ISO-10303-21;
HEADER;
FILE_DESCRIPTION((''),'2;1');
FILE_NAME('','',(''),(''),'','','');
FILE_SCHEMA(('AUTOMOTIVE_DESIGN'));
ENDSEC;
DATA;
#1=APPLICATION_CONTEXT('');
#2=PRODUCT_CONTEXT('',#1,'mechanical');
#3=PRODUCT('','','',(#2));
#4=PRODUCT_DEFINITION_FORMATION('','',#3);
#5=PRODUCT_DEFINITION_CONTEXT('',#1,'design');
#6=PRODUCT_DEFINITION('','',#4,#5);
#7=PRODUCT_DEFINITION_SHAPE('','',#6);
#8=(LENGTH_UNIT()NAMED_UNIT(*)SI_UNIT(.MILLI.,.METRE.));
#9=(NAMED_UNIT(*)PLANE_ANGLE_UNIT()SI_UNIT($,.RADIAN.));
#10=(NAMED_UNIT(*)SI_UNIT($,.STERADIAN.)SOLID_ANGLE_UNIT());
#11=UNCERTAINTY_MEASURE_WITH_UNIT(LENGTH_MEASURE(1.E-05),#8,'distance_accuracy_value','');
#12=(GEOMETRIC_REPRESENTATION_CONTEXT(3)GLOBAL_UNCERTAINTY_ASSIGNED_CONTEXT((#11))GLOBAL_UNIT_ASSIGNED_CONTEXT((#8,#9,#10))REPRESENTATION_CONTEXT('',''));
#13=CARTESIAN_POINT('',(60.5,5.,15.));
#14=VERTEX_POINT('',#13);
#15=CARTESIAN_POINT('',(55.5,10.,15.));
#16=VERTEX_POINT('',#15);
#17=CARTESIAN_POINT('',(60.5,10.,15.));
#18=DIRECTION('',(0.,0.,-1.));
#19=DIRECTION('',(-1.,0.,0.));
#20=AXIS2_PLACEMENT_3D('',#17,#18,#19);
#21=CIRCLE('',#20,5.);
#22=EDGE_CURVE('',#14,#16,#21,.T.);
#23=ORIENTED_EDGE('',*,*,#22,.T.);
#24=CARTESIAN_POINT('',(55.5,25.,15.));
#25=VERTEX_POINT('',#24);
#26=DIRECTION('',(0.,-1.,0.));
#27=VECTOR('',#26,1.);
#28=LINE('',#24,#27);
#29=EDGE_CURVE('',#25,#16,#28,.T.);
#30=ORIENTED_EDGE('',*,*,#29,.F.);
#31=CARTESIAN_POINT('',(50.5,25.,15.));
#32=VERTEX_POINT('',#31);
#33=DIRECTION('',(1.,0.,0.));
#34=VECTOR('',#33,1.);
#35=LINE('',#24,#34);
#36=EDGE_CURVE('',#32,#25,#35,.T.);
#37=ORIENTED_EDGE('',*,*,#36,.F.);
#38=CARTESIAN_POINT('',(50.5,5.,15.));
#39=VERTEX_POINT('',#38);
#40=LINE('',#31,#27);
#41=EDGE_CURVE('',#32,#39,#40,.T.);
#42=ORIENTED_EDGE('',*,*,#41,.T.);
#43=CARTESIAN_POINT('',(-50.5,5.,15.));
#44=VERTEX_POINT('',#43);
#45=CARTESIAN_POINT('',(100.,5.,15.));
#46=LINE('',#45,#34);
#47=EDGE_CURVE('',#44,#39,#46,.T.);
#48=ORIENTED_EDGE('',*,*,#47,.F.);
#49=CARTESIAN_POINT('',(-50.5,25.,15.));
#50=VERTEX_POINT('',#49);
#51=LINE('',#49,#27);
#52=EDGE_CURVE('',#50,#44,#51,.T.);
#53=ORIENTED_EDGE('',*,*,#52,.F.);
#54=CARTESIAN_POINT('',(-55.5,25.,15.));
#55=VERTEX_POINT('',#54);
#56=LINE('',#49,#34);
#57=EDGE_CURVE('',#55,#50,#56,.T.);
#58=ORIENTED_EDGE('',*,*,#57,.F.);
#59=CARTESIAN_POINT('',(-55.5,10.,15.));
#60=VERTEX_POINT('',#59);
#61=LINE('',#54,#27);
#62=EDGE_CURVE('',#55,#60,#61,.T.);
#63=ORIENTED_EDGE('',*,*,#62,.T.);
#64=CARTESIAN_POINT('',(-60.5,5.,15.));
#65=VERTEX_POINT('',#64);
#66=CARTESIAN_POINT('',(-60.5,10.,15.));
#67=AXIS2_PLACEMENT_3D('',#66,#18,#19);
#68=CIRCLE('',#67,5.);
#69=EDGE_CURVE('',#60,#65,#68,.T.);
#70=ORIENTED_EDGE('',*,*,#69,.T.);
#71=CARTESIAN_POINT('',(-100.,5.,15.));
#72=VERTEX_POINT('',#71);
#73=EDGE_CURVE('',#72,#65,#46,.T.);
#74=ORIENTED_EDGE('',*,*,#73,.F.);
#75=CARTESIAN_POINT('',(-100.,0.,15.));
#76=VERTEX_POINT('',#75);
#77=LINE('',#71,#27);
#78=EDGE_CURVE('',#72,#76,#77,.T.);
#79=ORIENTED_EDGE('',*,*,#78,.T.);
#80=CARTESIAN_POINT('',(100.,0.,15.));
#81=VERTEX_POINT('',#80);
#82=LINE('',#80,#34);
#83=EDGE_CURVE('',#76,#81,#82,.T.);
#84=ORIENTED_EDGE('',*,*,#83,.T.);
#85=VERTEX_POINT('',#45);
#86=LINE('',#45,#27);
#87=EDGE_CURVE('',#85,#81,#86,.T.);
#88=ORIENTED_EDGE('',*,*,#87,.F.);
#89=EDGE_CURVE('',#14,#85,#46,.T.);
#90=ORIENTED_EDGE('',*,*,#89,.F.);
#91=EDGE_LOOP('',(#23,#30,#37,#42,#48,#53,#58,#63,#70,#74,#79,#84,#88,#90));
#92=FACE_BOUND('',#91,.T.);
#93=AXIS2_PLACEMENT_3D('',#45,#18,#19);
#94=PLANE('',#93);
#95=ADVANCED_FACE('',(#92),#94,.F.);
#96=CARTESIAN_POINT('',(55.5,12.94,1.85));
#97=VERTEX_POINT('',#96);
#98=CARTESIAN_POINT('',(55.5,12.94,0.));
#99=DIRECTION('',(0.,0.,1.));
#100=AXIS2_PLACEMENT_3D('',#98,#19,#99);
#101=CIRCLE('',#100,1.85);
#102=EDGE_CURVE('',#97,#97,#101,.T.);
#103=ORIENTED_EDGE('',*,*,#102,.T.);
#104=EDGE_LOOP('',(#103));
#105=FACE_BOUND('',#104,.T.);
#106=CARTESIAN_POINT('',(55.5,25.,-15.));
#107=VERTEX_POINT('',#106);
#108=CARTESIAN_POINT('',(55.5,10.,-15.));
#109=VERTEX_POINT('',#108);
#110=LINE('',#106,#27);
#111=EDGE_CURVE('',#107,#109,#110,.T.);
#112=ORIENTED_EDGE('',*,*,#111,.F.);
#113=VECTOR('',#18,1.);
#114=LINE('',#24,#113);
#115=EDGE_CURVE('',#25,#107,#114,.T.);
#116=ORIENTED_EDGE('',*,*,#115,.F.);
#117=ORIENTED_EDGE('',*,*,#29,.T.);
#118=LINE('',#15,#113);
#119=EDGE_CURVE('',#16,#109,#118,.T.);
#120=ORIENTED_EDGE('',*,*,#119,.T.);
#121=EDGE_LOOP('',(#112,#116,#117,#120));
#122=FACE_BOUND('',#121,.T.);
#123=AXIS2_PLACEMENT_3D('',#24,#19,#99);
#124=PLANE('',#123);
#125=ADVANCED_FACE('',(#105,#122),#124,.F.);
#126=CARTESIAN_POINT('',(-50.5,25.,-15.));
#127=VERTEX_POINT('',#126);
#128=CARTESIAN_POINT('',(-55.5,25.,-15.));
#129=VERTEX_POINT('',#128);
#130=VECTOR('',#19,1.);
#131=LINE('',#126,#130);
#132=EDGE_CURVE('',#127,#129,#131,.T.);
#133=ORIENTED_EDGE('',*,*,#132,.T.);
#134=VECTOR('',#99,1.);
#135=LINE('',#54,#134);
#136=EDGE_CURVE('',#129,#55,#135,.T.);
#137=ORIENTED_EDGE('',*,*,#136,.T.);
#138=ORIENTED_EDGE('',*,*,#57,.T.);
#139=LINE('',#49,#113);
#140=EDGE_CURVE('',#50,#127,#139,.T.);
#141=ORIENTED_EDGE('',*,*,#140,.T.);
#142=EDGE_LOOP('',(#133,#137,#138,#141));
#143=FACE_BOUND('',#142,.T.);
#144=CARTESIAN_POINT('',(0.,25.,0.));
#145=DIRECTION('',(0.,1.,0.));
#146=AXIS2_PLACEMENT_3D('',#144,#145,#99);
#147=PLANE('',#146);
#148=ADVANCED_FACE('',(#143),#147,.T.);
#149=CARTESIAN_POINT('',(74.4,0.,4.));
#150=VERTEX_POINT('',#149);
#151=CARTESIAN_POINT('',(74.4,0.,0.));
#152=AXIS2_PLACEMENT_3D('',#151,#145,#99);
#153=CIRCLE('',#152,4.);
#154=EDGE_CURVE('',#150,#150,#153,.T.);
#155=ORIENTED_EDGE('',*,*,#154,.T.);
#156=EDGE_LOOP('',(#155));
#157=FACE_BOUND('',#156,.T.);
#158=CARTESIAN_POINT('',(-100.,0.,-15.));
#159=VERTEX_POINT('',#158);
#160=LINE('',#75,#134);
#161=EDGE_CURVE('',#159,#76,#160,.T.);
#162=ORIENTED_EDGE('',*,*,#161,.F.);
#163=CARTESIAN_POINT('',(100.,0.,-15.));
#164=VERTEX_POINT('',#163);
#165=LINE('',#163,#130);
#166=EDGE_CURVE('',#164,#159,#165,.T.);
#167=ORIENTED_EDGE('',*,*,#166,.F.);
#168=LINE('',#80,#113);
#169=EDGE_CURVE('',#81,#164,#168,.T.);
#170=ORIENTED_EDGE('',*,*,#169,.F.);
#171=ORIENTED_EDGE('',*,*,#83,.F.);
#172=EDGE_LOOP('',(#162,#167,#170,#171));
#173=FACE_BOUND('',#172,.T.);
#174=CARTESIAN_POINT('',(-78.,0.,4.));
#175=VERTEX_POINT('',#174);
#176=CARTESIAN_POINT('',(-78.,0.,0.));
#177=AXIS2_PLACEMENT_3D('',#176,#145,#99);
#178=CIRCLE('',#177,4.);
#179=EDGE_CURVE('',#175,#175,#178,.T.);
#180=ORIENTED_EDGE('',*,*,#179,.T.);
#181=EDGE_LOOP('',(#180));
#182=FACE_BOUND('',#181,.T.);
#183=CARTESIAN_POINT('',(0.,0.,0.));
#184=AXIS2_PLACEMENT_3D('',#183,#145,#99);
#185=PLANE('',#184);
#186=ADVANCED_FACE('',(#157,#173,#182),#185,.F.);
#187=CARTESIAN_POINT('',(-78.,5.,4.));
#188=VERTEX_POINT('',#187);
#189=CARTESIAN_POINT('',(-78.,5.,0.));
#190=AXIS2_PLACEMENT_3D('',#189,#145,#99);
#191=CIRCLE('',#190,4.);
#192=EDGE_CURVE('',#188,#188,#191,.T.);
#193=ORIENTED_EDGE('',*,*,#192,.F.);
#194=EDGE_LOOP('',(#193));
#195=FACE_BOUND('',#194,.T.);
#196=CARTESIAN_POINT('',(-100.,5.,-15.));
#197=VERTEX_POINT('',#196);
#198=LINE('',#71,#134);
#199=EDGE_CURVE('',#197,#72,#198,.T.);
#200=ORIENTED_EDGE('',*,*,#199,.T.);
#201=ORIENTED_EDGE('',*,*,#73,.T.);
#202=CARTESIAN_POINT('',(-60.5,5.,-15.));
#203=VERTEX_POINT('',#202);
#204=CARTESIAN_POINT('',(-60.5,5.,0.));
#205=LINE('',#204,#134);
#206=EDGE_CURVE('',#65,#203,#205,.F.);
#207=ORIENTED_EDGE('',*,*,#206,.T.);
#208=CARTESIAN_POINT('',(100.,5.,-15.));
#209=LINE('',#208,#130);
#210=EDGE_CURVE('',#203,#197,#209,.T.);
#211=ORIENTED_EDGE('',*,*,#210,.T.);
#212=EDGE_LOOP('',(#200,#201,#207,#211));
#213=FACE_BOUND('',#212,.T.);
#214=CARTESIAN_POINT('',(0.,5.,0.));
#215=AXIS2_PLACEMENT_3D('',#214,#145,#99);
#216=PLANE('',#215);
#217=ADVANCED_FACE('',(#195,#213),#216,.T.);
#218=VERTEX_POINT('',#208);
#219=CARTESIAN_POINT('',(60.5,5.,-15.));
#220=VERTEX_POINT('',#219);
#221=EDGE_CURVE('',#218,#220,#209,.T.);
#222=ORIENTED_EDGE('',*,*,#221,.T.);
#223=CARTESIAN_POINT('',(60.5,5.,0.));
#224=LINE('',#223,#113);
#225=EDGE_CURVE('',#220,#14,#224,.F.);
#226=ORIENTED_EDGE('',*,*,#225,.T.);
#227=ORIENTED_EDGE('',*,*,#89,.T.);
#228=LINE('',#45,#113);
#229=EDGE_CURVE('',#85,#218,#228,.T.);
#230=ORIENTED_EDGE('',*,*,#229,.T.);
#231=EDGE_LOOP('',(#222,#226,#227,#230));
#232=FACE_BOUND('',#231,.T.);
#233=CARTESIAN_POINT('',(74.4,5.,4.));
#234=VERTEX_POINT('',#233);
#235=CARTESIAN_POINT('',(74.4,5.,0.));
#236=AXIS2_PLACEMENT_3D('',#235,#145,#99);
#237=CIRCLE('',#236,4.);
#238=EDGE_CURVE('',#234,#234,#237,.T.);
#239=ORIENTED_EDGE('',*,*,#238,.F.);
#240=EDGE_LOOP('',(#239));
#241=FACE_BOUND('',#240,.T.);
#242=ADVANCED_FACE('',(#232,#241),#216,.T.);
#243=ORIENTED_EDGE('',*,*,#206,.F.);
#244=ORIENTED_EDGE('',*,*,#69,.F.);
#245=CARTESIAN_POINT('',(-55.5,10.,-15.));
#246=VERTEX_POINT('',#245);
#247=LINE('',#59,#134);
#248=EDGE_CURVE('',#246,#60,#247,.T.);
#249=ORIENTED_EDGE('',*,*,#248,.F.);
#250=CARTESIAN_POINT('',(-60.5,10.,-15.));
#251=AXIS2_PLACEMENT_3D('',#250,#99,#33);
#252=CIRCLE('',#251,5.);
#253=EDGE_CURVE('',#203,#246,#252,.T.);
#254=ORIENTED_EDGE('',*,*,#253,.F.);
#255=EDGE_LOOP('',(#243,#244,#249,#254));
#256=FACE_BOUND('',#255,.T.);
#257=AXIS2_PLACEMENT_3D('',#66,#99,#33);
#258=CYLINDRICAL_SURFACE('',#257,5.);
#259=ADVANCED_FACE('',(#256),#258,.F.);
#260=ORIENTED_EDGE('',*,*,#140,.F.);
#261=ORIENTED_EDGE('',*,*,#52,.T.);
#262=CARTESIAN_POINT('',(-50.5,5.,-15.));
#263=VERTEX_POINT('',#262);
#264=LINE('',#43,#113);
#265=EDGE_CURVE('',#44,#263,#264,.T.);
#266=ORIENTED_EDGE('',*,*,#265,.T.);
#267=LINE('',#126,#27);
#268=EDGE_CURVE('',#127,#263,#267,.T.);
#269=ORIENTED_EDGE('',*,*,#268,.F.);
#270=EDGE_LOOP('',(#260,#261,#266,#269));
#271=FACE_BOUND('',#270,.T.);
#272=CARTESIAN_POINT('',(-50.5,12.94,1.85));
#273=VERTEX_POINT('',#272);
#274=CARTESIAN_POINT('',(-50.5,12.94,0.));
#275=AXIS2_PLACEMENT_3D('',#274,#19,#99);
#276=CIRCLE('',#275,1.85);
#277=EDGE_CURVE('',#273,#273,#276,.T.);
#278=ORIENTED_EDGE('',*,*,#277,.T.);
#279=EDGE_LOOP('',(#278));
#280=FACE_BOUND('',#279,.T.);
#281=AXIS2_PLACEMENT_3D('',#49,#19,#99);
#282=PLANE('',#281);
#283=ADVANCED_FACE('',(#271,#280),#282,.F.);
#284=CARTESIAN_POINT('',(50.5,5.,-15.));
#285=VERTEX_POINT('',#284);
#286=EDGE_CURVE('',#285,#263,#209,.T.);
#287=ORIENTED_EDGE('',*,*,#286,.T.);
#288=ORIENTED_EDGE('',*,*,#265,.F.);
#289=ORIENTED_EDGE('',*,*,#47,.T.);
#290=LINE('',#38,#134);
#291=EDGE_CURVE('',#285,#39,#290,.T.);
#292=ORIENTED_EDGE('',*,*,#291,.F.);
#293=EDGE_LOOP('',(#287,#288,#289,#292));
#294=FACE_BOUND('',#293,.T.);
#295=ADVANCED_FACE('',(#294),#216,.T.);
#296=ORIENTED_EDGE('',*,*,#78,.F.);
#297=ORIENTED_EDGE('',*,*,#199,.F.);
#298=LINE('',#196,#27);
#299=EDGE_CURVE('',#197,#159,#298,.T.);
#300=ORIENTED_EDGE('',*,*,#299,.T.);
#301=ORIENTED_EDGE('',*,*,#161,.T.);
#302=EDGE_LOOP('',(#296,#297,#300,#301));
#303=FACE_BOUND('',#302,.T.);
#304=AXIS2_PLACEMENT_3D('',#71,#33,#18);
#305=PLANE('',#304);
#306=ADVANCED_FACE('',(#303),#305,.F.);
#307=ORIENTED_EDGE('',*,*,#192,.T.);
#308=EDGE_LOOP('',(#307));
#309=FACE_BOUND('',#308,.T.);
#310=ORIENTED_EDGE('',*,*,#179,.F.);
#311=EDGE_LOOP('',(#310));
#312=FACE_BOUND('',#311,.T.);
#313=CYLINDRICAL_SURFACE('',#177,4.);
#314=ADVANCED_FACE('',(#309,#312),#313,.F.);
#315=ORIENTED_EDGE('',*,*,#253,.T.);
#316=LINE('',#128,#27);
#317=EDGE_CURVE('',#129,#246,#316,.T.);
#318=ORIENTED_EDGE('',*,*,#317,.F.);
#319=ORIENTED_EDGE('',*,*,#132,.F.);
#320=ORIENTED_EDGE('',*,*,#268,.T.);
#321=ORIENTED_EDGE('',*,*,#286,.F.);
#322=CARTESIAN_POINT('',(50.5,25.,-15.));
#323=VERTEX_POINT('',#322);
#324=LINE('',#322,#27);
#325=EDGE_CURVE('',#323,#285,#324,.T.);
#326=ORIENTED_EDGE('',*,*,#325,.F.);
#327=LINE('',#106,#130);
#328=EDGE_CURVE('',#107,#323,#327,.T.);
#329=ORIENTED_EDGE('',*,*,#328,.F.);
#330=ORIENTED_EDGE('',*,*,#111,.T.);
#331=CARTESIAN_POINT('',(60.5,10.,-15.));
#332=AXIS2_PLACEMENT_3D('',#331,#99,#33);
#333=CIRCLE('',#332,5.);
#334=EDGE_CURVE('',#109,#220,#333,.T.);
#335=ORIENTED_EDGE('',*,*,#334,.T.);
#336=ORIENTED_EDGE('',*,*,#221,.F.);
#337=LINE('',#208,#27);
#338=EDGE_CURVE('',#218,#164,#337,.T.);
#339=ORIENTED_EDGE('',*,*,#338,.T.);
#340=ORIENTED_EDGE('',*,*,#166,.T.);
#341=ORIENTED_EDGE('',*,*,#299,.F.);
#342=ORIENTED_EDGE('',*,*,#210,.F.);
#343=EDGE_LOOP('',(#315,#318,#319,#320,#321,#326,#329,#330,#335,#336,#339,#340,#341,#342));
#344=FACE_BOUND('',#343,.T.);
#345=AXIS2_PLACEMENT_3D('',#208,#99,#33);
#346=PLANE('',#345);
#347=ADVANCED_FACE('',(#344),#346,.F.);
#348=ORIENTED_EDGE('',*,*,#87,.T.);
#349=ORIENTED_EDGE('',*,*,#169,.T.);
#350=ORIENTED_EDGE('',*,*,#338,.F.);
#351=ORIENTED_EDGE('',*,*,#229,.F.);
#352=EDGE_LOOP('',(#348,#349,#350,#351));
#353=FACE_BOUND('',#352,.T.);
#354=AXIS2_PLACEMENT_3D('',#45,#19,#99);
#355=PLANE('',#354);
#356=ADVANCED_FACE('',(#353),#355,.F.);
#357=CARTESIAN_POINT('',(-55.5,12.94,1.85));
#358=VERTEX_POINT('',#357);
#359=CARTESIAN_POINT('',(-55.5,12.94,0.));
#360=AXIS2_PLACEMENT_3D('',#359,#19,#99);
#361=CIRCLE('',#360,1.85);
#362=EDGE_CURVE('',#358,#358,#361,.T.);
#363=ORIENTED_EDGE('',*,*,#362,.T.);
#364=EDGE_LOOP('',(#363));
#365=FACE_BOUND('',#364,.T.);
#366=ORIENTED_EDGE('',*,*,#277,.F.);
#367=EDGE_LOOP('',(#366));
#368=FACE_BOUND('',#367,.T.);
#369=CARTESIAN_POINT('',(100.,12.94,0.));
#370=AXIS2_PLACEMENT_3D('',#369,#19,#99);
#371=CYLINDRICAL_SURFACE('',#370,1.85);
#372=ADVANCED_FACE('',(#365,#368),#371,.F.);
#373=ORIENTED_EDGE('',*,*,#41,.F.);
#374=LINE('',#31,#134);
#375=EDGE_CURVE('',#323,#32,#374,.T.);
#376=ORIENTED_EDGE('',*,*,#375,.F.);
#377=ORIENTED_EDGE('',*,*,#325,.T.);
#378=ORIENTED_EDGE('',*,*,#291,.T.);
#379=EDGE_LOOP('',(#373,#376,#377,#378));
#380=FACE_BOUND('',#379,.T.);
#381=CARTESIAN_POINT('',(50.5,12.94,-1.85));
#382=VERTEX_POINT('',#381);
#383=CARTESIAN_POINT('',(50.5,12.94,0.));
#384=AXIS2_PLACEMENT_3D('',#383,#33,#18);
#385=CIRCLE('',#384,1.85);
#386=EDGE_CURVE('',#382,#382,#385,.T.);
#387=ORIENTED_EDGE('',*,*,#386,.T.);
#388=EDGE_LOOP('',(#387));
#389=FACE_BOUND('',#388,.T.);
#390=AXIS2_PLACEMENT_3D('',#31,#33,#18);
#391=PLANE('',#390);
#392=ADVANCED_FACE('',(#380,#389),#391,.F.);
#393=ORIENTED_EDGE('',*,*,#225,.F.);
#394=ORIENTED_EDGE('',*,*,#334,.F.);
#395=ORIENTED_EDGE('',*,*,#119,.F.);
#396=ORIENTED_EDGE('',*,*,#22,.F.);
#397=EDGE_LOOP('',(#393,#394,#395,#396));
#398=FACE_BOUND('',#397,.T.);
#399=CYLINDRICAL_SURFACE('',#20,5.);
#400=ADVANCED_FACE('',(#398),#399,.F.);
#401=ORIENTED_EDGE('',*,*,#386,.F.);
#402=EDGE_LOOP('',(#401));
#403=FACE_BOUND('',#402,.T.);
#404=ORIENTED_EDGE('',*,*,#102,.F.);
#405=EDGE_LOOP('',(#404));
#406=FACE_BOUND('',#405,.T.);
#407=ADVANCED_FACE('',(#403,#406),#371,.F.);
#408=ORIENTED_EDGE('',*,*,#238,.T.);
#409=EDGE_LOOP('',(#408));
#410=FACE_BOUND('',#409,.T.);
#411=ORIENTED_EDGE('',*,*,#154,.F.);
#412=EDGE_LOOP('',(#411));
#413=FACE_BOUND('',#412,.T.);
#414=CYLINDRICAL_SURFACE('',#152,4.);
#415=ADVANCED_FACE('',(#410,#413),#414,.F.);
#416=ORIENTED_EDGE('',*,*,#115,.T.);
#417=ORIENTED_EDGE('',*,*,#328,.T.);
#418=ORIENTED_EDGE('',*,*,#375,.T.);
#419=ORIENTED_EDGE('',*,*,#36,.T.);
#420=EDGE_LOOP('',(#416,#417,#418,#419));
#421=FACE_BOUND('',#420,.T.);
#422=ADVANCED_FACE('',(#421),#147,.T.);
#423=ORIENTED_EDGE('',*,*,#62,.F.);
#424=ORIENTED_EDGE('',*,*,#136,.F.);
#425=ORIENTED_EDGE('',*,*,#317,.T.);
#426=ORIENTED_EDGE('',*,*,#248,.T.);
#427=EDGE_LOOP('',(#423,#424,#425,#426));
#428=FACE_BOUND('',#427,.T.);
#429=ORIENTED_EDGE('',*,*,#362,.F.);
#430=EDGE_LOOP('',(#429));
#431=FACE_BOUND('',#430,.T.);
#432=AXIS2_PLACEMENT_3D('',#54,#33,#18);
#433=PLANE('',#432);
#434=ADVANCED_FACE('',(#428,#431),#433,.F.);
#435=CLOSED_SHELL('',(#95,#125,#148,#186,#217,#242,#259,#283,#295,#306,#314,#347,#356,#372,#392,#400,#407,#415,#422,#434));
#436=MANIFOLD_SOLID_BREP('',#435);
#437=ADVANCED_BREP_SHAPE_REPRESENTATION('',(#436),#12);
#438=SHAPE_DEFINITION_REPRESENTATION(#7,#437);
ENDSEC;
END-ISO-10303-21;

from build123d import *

# Parameters (mm, degrees)
SKETCH1_W           = 200
SKETCH1_H           = 30
BOSS_EXTRUDE1_DEPTH = 5
SKETCH2_W           = 5
SKETCH2_H           = 30
BOSS_EXTRUDE2_DEPTH = 20
FILLET1_R           = 5
SKETCH3_R           = 1.85
CUT_EXTRUDE2_DEPTH  = 159.209512988
SKETCH4_R           = 4
CUT_EXTRUDE3_DEPTH  = 104.07764064
SKETCH5_R           = 4
CUT_EXTRUDE4_DEPTH  = 104.07764064


with BuildPart() as part:
    # Sketch1 → Boss-Extrude1 (new body)
    with BuildSketch(Plane(origin=(0, 0, 0), x_dir=(1, 0, 0), z_dir=(0, 1, 0))):
        Rectangle(SKETCH1_W, SKETCH1_H)
    extrude(amount=BOSS_EXTRUDE1_DEPTH)

    # Sketch2 → Boss-Extrude2 (add)
    with BuildSketch(Plane(origin=(0, 5, 0), x_dir=(1, 0, 0), z_dir=(0, 1, 0))):
        with Locations((-53, 0)):
            Rectangle(SKETCH2_W, SKETCH2_H)
        with Locations((53, 0)):
            Rectangle(SKETCH2_W, SKETCH2_H)
    extrude(amount=BOSS_EXTRUDE2_DEPTH)

    # Fillet1
    fillet1_edges = [part.edges().sort_by_distance(p)[0] for p in [
        (-55.5, 5, 0),
        (55.5, 5, 0),
    ]]
    fillet(fillet1_edges, radius=FILLET1_R)

    # Sketch3 → Cut-Extrude2 (cut, through all)
    with BuildSketch(Plane.ZY.offset(55.5)):
        with Locations((0, 12.94)):
            Circle(SKETCH3_R)
    extrude(amount=-CUT_EXTRUDE2_DEPTH, mode=Mode.SUBTRACT)

    # Sketch4 → Cut-Extrude3 (cut, through all)
    with BuildSketch(Plane(origin=(0, 5, 0), x_dir=(1, 0, 0), z_dir=(0, 1, 0))):
        with Locations(Location((-78, 0, 0), (0, 0, 270))):
            Circle(SKETCH4_R)
    extrude(amount=-CUT_EXTRUDE3_DEPTH, mode=Mode.SUBTRACT)

    # Sketch5 → Cut-Extrude4 (cut, through all)
    with BuildSketch(Plane(origin=(0, 5, 0), x_dir=(1, 0, 0), z_dir=(0, 1, 0))):
        with Locations(Location((74.4, 0, 0), (0, 0, 270))):
            Circle(SKETCH5_R)
    extrude(amount=-CUT_EXTRUDE4_DEPTH, mode=Mode.SUBTRACT)


solid = part.part
